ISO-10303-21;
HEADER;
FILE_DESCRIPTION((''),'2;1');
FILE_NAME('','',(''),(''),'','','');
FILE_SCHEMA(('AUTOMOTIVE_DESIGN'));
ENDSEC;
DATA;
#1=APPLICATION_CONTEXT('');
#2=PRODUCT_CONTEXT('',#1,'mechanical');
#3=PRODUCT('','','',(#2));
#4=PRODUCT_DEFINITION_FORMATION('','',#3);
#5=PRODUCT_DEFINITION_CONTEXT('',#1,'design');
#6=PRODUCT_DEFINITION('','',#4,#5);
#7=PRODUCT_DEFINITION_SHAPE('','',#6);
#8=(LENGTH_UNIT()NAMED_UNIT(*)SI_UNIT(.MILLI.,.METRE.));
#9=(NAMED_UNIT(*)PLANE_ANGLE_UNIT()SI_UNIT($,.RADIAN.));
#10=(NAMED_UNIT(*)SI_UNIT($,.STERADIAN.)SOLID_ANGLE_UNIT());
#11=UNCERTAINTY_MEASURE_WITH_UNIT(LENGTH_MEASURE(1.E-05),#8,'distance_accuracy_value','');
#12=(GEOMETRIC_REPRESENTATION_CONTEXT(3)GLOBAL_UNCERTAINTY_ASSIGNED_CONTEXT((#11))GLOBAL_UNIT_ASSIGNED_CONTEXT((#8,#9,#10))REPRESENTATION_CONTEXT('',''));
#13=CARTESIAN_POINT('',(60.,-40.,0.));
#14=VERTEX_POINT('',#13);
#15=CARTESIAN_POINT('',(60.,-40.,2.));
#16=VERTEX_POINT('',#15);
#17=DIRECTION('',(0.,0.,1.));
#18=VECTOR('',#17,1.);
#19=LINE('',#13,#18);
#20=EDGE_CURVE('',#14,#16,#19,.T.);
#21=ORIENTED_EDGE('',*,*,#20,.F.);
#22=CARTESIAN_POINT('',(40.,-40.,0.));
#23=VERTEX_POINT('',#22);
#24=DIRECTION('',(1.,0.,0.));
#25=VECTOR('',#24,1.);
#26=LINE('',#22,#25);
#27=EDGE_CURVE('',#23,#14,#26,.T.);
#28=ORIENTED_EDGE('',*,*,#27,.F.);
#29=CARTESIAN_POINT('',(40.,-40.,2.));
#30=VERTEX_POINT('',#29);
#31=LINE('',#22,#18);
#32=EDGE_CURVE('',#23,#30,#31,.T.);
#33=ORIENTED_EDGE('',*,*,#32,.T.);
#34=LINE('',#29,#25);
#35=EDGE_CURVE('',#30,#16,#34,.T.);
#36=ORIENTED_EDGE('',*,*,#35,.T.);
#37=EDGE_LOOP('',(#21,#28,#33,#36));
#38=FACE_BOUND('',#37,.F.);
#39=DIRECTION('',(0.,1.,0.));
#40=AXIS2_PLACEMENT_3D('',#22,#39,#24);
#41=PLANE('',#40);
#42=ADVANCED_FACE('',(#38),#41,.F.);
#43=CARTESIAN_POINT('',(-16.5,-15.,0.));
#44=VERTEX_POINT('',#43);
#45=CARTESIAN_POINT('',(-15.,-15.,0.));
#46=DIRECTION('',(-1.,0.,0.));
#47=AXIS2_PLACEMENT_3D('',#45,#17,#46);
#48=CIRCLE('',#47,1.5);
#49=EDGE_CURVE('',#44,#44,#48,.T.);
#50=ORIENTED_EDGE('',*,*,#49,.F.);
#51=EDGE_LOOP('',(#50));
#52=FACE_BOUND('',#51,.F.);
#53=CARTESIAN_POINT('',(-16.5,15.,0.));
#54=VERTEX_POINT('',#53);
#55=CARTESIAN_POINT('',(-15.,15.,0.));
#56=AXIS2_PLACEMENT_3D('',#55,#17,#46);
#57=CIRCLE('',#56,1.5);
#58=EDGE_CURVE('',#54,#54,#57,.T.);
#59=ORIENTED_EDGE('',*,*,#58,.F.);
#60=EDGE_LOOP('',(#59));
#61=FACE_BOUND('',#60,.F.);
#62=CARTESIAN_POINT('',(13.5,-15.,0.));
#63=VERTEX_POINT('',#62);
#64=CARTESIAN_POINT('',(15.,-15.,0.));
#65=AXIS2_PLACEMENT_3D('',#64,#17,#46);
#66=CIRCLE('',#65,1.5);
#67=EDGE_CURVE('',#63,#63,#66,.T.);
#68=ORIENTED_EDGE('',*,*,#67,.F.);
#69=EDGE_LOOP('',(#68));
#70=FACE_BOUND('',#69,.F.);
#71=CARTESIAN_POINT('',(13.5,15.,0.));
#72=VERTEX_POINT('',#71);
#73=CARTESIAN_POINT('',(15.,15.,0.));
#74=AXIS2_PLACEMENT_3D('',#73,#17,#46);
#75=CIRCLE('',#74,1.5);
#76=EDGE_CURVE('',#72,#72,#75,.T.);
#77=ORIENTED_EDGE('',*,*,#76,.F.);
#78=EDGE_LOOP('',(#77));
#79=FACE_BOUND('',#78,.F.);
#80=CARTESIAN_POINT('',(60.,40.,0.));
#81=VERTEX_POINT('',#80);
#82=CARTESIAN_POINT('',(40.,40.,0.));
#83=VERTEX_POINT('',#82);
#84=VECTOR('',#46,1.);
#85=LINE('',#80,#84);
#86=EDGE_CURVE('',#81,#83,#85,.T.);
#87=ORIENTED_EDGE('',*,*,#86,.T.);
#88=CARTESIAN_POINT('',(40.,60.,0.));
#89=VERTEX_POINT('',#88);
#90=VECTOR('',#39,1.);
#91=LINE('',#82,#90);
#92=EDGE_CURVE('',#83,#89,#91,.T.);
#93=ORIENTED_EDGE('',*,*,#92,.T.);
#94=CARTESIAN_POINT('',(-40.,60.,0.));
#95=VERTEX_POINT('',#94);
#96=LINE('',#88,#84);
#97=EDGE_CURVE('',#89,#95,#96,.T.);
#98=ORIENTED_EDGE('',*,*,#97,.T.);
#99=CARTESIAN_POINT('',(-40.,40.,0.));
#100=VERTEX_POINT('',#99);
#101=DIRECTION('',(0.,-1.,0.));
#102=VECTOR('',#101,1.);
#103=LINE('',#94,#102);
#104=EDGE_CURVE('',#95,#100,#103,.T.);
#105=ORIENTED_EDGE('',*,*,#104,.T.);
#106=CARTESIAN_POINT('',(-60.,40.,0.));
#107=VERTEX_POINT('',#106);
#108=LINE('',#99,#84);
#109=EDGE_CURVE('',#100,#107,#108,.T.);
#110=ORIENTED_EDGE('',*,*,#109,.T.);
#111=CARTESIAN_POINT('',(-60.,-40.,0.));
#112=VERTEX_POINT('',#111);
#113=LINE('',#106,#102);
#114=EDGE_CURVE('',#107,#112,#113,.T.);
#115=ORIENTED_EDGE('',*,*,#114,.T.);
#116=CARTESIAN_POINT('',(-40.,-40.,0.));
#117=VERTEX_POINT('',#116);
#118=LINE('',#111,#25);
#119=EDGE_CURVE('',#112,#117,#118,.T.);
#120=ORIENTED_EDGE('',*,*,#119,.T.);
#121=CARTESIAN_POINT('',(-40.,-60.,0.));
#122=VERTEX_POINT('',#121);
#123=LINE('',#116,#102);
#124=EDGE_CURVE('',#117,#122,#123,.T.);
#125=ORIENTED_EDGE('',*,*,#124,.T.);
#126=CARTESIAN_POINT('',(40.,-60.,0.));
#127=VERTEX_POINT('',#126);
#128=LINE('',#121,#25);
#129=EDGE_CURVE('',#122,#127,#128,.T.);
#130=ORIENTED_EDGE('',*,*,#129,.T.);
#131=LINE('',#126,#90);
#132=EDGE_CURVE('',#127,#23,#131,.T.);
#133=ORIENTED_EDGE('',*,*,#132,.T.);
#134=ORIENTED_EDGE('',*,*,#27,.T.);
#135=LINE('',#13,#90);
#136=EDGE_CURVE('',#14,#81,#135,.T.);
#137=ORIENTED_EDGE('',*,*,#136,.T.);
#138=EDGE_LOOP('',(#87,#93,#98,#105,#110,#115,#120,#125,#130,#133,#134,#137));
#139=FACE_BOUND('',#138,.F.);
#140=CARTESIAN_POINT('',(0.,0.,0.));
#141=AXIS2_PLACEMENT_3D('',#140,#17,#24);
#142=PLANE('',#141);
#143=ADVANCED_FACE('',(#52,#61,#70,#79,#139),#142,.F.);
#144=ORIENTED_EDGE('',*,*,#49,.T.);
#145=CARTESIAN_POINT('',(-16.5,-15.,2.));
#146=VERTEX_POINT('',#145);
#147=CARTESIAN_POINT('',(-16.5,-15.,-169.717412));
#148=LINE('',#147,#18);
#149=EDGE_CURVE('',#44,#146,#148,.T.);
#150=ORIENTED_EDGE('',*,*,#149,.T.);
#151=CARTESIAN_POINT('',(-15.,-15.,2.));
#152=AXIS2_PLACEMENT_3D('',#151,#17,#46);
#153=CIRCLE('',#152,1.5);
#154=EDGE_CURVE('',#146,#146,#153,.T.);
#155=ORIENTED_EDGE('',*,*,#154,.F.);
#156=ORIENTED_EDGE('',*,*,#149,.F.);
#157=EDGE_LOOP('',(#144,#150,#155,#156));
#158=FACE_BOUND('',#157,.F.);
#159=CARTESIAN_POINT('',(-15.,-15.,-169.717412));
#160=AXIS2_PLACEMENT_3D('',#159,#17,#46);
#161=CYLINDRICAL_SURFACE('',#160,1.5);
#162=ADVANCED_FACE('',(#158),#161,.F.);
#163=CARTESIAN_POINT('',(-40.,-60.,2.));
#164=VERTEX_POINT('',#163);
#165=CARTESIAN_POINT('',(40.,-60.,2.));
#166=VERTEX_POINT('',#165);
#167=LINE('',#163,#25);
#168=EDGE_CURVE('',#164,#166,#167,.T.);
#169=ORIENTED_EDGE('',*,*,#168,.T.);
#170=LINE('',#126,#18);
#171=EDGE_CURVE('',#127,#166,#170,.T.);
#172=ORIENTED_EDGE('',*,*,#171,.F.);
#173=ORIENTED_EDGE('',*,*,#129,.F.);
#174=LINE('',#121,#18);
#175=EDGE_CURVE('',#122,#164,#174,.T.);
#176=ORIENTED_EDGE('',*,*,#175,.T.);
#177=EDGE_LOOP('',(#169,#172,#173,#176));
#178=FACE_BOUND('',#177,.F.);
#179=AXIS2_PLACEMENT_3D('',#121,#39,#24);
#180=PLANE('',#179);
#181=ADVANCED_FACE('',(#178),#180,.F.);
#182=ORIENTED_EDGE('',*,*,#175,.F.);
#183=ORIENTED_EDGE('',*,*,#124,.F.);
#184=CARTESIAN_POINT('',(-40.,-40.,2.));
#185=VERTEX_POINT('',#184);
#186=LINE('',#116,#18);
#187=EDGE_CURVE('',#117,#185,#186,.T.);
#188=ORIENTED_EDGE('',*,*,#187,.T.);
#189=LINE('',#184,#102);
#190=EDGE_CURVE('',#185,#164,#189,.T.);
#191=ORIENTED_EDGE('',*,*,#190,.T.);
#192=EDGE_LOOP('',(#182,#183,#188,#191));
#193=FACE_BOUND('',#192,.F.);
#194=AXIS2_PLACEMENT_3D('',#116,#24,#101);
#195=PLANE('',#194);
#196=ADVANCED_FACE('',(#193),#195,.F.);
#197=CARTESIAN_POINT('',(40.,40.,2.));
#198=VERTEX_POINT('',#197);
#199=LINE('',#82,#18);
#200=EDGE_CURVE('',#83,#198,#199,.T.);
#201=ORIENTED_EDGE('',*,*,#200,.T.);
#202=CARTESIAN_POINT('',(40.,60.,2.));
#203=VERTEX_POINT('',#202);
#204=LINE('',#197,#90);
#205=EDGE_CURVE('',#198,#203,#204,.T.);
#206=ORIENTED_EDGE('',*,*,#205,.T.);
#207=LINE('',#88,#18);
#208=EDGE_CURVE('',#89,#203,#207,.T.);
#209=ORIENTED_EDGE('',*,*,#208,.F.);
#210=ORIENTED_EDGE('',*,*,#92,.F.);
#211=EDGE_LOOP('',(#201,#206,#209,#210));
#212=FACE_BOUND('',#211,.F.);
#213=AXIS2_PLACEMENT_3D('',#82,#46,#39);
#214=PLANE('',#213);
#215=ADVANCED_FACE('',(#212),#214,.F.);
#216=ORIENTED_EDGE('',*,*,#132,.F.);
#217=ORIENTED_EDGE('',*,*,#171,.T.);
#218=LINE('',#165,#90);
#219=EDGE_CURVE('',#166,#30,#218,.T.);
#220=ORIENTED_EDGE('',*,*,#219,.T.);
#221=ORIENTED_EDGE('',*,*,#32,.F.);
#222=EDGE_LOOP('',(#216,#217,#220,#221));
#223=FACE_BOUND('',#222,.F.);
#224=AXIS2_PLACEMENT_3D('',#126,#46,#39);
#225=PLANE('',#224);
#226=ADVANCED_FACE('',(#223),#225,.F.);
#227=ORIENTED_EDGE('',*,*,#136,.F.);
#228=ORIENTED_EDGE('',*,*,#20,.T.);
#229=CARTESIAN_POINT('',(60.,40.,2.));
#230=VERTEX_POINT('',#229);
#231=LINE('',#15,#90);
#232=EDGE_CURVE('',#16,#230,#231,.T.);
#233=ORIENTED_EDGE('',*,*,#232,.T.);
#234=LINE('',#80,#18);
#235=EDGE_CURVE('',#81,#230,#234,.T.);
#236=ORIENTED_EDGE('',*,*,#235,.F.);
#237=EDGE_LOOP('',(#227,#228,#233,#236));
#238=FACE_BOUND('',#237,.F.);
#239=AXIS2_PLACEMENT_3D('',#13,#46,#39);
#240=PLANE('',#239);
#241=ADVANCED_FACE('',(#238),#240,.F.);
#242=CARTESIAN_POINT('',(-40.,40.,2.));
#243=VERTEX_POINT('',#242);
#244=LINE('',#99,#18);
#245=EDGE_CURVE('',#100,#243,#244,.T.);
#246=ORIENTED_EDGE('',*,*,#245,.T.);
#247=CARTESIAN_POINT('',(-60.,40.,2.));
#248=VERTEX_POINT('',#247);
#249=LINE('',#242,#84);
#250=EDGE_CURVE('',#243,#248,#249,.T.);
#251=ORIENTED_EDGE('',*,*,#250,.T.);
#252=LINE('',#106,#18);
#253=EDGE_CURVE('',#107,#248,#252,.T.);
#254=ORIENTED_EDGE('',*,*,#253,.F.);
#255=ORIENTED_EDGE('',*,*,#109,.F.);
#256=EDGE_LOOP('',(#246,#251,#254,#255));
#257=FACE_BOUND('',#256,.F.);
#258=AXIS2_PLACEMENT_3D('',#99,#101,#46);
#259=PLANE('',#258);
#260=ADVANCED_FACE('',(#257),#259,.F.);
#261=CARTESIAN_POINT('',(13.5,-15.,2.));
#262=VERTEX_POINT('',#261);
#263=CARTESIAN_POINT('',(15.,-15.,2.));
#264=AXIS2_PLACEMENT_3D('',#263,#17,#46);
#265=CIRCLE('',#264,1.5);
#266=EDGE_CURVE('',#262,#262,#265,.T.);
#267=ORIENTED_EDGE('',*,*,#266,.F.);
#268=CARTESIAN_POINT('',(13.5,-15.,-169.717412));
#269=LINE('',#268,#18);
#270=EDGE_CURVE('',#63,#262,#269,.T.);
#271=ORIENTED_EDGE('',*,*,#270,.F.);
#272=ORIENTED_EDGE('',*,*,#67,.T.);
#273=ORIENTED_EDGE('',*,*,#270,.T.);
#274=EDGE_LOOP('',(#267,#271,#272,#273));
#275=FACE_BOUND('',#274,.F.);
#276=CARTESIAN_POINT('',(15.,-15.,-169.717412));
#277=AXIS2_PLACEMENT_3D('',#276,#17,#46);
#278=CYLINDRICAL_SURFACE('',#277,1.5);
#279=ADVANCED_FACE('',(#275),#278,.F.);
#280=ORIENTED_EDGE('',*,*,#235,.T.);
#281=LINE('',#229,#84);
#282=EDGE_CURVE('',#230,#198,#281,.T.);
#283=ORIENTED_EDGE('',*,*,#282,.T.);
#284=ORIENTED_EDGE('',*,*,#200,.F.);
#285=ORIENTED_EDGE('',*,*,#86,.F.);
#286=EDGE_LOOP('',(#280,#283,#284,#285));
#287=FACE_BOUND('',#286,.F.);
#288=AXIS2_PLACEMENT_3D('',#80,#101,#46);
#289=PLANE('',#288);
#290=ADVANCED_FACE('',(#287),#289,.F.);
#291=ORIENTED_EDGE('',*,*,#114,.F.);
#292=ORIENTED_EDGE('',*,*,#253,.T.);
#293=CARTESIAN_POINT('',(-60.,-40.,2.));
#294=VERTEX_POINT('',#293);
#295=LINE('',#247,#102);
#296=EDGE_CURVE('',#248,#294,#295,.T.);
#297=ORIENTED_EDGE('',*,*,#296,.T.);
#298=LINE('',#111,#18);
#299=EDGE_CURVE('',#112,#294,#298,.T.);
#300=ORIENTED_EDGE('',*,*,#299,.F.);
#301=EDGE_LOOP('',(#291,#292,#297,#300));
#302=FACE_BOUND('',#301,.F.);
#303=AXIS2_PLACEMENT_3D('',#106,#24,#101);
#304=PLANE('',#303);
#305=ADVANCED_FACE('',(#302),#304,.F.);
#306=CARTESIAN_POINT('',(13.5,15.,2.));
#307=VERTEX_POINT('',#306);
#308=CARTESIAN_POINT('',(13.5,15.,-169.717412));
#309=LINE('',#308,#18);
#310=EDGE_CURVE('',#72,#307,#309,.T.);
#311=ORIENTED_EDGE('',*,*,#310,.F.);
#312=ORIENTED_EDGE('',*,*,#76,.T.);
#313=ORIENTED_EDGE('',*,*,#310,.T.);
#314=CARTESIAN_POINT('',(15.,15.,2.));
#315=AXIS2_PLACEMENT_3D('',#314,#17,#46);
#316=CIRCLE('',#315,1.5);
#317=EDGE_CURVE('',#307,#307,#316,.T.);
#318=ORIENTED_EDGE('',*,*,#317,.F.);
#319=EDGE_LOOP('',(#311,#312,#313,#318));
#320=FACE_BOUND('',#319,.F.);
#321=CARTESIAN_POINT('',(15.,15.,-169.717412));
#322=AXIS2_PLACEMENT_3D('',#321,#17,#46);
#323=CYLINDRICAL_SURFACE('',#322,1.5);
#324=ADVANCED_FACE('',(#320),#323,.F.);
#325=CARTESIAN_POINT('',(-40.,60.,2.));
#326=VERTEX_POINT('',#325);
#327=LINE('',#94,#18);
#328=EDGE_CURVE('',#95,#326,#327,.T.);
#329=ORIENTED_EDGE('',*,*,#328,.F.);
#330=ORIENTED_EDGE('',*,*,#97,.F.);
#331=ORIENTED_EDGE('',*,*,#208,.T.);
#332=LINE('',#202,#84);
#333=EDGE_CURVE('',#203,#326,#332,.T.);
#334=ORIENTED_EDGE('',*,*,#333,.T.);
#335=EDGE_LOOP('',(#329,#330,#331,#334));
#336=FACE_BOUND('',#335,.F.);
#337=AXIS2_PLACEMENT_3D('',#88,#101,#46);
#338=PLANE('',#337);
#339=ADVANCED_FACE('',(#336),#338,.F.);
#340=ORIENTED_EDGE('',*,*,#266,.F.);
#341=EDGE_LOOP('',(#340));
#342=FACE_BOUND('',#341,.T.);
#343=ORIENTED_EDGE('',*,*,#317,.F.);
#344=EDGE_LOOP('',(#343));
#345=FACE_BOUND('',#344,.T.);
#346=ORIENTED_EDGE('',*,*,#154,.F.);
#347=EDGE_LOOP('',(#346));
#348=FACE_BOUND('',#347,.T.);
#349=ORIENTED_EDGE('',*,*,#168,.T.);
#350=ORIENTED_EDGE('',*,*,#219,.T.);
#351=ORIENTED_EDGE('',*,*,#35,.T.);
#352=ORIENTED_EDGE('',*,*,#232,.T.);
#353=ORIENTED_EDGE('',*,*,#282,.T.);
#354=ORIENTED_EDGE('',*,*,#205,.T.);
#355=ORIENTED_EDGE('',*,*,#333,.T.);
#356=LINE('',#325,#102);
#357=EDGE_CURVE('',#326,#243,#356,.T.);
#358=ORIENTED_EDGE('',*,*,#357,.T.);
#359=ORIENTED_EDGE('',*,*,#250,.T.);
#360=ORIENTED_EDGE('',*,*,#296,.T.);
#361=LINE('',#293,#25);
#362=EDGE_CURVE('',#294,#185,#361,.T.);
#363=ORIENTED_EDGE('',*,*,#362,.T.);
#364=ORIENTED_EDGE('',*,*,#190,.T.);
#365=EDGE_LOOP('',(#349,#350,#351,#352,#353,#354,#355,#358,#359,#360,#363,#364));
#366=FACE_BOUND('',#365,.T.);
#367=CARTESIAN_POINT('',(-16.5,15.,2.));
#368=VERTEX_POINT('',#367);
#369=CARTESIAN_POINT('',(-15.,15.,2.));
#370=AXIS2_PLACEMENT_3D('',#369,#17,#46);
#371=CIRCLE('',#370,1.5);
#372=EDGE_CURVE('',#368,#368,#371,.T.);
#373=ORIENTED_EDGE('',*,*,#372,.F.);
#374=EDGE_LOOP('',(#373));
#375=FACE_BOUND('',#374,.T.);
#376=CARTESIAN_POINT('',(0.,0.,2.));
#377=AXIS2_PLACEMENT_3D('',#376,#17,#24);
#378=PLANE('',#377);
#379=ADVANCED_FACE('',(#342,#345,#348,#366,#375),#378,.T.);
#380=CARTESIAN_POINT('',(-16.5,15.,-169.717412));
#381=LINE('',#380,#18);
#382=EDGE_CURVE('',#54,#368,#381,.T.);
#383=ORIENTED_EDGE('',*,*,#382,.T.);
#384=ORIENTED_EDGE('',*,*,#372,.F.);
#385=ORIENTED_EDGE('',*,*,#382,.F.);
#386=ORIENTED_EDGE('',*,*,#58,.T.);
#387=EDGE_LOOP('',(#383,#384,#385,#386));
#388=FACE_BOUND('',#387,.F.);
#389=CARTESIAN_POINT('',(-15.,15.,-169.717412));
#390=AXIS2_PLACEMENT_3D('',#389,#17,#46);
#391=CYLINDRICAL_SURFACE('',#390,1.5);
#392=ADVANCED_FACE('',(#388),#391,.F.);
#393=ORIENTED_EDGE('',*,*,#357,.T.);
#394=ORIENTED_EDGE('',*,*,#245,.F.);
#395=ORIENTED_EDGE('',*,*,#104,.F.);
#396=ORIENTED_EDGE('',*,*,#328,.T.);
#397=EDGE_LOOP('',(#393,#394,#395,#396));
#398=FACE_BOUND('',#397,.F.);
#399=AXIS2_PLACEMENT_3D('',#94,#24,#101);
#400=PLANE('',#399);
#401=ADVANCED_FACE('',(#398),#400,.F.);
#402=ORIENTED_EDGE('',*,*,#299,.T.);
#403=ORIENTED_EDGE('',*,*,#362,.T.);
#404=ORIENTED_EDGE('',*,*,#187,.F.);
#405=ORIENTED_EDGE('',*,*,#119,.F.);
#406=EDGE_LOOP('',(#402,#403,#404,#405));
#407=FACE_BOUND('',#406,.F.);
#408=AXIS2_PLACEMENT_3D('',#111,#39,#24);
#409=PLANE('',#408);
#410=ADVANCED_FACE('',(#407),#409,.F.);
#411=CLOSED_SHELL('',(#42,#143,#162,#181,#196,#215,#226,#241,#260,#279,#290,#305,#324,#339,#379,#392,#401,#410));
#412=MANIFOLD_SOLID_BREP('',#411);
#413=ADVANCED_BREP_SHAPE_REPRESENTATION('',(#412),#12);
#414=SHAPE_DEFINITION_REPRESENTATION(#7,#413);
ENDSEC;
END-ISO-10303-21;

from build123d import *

# Parameters (mm, degrees)
F2_DEPTH = 2
F3_D     = 3


with BuildPart() as f2:
    # F0 (on Top) → F2 (new body)
    with BuildSketch(Plane.XY):
        Polygon((40, 60), (0, 60), (-4.426457, 60), (-40, 60), (-40, 40), (-60, 40), (-60, 0), (-60, -40), (-40, -40), (-40, -60), (0, -60), (40, -60), (40, -40), (60, -40), (60, 0), (60, 40), (40, 40), align=None)
    extrude(amount=F2_DEPTH)

    # F3 (through all)
    with Locations(Plane(origin=(0, 0, 0), x_dir=(1, 0, 0), z_dir=(0, 0, -1))):
        with Locations((-15, 15), (15, 15), (-15, -15), (15, -15)):
            Hole(F3_D / 2)


solid = f2.part
